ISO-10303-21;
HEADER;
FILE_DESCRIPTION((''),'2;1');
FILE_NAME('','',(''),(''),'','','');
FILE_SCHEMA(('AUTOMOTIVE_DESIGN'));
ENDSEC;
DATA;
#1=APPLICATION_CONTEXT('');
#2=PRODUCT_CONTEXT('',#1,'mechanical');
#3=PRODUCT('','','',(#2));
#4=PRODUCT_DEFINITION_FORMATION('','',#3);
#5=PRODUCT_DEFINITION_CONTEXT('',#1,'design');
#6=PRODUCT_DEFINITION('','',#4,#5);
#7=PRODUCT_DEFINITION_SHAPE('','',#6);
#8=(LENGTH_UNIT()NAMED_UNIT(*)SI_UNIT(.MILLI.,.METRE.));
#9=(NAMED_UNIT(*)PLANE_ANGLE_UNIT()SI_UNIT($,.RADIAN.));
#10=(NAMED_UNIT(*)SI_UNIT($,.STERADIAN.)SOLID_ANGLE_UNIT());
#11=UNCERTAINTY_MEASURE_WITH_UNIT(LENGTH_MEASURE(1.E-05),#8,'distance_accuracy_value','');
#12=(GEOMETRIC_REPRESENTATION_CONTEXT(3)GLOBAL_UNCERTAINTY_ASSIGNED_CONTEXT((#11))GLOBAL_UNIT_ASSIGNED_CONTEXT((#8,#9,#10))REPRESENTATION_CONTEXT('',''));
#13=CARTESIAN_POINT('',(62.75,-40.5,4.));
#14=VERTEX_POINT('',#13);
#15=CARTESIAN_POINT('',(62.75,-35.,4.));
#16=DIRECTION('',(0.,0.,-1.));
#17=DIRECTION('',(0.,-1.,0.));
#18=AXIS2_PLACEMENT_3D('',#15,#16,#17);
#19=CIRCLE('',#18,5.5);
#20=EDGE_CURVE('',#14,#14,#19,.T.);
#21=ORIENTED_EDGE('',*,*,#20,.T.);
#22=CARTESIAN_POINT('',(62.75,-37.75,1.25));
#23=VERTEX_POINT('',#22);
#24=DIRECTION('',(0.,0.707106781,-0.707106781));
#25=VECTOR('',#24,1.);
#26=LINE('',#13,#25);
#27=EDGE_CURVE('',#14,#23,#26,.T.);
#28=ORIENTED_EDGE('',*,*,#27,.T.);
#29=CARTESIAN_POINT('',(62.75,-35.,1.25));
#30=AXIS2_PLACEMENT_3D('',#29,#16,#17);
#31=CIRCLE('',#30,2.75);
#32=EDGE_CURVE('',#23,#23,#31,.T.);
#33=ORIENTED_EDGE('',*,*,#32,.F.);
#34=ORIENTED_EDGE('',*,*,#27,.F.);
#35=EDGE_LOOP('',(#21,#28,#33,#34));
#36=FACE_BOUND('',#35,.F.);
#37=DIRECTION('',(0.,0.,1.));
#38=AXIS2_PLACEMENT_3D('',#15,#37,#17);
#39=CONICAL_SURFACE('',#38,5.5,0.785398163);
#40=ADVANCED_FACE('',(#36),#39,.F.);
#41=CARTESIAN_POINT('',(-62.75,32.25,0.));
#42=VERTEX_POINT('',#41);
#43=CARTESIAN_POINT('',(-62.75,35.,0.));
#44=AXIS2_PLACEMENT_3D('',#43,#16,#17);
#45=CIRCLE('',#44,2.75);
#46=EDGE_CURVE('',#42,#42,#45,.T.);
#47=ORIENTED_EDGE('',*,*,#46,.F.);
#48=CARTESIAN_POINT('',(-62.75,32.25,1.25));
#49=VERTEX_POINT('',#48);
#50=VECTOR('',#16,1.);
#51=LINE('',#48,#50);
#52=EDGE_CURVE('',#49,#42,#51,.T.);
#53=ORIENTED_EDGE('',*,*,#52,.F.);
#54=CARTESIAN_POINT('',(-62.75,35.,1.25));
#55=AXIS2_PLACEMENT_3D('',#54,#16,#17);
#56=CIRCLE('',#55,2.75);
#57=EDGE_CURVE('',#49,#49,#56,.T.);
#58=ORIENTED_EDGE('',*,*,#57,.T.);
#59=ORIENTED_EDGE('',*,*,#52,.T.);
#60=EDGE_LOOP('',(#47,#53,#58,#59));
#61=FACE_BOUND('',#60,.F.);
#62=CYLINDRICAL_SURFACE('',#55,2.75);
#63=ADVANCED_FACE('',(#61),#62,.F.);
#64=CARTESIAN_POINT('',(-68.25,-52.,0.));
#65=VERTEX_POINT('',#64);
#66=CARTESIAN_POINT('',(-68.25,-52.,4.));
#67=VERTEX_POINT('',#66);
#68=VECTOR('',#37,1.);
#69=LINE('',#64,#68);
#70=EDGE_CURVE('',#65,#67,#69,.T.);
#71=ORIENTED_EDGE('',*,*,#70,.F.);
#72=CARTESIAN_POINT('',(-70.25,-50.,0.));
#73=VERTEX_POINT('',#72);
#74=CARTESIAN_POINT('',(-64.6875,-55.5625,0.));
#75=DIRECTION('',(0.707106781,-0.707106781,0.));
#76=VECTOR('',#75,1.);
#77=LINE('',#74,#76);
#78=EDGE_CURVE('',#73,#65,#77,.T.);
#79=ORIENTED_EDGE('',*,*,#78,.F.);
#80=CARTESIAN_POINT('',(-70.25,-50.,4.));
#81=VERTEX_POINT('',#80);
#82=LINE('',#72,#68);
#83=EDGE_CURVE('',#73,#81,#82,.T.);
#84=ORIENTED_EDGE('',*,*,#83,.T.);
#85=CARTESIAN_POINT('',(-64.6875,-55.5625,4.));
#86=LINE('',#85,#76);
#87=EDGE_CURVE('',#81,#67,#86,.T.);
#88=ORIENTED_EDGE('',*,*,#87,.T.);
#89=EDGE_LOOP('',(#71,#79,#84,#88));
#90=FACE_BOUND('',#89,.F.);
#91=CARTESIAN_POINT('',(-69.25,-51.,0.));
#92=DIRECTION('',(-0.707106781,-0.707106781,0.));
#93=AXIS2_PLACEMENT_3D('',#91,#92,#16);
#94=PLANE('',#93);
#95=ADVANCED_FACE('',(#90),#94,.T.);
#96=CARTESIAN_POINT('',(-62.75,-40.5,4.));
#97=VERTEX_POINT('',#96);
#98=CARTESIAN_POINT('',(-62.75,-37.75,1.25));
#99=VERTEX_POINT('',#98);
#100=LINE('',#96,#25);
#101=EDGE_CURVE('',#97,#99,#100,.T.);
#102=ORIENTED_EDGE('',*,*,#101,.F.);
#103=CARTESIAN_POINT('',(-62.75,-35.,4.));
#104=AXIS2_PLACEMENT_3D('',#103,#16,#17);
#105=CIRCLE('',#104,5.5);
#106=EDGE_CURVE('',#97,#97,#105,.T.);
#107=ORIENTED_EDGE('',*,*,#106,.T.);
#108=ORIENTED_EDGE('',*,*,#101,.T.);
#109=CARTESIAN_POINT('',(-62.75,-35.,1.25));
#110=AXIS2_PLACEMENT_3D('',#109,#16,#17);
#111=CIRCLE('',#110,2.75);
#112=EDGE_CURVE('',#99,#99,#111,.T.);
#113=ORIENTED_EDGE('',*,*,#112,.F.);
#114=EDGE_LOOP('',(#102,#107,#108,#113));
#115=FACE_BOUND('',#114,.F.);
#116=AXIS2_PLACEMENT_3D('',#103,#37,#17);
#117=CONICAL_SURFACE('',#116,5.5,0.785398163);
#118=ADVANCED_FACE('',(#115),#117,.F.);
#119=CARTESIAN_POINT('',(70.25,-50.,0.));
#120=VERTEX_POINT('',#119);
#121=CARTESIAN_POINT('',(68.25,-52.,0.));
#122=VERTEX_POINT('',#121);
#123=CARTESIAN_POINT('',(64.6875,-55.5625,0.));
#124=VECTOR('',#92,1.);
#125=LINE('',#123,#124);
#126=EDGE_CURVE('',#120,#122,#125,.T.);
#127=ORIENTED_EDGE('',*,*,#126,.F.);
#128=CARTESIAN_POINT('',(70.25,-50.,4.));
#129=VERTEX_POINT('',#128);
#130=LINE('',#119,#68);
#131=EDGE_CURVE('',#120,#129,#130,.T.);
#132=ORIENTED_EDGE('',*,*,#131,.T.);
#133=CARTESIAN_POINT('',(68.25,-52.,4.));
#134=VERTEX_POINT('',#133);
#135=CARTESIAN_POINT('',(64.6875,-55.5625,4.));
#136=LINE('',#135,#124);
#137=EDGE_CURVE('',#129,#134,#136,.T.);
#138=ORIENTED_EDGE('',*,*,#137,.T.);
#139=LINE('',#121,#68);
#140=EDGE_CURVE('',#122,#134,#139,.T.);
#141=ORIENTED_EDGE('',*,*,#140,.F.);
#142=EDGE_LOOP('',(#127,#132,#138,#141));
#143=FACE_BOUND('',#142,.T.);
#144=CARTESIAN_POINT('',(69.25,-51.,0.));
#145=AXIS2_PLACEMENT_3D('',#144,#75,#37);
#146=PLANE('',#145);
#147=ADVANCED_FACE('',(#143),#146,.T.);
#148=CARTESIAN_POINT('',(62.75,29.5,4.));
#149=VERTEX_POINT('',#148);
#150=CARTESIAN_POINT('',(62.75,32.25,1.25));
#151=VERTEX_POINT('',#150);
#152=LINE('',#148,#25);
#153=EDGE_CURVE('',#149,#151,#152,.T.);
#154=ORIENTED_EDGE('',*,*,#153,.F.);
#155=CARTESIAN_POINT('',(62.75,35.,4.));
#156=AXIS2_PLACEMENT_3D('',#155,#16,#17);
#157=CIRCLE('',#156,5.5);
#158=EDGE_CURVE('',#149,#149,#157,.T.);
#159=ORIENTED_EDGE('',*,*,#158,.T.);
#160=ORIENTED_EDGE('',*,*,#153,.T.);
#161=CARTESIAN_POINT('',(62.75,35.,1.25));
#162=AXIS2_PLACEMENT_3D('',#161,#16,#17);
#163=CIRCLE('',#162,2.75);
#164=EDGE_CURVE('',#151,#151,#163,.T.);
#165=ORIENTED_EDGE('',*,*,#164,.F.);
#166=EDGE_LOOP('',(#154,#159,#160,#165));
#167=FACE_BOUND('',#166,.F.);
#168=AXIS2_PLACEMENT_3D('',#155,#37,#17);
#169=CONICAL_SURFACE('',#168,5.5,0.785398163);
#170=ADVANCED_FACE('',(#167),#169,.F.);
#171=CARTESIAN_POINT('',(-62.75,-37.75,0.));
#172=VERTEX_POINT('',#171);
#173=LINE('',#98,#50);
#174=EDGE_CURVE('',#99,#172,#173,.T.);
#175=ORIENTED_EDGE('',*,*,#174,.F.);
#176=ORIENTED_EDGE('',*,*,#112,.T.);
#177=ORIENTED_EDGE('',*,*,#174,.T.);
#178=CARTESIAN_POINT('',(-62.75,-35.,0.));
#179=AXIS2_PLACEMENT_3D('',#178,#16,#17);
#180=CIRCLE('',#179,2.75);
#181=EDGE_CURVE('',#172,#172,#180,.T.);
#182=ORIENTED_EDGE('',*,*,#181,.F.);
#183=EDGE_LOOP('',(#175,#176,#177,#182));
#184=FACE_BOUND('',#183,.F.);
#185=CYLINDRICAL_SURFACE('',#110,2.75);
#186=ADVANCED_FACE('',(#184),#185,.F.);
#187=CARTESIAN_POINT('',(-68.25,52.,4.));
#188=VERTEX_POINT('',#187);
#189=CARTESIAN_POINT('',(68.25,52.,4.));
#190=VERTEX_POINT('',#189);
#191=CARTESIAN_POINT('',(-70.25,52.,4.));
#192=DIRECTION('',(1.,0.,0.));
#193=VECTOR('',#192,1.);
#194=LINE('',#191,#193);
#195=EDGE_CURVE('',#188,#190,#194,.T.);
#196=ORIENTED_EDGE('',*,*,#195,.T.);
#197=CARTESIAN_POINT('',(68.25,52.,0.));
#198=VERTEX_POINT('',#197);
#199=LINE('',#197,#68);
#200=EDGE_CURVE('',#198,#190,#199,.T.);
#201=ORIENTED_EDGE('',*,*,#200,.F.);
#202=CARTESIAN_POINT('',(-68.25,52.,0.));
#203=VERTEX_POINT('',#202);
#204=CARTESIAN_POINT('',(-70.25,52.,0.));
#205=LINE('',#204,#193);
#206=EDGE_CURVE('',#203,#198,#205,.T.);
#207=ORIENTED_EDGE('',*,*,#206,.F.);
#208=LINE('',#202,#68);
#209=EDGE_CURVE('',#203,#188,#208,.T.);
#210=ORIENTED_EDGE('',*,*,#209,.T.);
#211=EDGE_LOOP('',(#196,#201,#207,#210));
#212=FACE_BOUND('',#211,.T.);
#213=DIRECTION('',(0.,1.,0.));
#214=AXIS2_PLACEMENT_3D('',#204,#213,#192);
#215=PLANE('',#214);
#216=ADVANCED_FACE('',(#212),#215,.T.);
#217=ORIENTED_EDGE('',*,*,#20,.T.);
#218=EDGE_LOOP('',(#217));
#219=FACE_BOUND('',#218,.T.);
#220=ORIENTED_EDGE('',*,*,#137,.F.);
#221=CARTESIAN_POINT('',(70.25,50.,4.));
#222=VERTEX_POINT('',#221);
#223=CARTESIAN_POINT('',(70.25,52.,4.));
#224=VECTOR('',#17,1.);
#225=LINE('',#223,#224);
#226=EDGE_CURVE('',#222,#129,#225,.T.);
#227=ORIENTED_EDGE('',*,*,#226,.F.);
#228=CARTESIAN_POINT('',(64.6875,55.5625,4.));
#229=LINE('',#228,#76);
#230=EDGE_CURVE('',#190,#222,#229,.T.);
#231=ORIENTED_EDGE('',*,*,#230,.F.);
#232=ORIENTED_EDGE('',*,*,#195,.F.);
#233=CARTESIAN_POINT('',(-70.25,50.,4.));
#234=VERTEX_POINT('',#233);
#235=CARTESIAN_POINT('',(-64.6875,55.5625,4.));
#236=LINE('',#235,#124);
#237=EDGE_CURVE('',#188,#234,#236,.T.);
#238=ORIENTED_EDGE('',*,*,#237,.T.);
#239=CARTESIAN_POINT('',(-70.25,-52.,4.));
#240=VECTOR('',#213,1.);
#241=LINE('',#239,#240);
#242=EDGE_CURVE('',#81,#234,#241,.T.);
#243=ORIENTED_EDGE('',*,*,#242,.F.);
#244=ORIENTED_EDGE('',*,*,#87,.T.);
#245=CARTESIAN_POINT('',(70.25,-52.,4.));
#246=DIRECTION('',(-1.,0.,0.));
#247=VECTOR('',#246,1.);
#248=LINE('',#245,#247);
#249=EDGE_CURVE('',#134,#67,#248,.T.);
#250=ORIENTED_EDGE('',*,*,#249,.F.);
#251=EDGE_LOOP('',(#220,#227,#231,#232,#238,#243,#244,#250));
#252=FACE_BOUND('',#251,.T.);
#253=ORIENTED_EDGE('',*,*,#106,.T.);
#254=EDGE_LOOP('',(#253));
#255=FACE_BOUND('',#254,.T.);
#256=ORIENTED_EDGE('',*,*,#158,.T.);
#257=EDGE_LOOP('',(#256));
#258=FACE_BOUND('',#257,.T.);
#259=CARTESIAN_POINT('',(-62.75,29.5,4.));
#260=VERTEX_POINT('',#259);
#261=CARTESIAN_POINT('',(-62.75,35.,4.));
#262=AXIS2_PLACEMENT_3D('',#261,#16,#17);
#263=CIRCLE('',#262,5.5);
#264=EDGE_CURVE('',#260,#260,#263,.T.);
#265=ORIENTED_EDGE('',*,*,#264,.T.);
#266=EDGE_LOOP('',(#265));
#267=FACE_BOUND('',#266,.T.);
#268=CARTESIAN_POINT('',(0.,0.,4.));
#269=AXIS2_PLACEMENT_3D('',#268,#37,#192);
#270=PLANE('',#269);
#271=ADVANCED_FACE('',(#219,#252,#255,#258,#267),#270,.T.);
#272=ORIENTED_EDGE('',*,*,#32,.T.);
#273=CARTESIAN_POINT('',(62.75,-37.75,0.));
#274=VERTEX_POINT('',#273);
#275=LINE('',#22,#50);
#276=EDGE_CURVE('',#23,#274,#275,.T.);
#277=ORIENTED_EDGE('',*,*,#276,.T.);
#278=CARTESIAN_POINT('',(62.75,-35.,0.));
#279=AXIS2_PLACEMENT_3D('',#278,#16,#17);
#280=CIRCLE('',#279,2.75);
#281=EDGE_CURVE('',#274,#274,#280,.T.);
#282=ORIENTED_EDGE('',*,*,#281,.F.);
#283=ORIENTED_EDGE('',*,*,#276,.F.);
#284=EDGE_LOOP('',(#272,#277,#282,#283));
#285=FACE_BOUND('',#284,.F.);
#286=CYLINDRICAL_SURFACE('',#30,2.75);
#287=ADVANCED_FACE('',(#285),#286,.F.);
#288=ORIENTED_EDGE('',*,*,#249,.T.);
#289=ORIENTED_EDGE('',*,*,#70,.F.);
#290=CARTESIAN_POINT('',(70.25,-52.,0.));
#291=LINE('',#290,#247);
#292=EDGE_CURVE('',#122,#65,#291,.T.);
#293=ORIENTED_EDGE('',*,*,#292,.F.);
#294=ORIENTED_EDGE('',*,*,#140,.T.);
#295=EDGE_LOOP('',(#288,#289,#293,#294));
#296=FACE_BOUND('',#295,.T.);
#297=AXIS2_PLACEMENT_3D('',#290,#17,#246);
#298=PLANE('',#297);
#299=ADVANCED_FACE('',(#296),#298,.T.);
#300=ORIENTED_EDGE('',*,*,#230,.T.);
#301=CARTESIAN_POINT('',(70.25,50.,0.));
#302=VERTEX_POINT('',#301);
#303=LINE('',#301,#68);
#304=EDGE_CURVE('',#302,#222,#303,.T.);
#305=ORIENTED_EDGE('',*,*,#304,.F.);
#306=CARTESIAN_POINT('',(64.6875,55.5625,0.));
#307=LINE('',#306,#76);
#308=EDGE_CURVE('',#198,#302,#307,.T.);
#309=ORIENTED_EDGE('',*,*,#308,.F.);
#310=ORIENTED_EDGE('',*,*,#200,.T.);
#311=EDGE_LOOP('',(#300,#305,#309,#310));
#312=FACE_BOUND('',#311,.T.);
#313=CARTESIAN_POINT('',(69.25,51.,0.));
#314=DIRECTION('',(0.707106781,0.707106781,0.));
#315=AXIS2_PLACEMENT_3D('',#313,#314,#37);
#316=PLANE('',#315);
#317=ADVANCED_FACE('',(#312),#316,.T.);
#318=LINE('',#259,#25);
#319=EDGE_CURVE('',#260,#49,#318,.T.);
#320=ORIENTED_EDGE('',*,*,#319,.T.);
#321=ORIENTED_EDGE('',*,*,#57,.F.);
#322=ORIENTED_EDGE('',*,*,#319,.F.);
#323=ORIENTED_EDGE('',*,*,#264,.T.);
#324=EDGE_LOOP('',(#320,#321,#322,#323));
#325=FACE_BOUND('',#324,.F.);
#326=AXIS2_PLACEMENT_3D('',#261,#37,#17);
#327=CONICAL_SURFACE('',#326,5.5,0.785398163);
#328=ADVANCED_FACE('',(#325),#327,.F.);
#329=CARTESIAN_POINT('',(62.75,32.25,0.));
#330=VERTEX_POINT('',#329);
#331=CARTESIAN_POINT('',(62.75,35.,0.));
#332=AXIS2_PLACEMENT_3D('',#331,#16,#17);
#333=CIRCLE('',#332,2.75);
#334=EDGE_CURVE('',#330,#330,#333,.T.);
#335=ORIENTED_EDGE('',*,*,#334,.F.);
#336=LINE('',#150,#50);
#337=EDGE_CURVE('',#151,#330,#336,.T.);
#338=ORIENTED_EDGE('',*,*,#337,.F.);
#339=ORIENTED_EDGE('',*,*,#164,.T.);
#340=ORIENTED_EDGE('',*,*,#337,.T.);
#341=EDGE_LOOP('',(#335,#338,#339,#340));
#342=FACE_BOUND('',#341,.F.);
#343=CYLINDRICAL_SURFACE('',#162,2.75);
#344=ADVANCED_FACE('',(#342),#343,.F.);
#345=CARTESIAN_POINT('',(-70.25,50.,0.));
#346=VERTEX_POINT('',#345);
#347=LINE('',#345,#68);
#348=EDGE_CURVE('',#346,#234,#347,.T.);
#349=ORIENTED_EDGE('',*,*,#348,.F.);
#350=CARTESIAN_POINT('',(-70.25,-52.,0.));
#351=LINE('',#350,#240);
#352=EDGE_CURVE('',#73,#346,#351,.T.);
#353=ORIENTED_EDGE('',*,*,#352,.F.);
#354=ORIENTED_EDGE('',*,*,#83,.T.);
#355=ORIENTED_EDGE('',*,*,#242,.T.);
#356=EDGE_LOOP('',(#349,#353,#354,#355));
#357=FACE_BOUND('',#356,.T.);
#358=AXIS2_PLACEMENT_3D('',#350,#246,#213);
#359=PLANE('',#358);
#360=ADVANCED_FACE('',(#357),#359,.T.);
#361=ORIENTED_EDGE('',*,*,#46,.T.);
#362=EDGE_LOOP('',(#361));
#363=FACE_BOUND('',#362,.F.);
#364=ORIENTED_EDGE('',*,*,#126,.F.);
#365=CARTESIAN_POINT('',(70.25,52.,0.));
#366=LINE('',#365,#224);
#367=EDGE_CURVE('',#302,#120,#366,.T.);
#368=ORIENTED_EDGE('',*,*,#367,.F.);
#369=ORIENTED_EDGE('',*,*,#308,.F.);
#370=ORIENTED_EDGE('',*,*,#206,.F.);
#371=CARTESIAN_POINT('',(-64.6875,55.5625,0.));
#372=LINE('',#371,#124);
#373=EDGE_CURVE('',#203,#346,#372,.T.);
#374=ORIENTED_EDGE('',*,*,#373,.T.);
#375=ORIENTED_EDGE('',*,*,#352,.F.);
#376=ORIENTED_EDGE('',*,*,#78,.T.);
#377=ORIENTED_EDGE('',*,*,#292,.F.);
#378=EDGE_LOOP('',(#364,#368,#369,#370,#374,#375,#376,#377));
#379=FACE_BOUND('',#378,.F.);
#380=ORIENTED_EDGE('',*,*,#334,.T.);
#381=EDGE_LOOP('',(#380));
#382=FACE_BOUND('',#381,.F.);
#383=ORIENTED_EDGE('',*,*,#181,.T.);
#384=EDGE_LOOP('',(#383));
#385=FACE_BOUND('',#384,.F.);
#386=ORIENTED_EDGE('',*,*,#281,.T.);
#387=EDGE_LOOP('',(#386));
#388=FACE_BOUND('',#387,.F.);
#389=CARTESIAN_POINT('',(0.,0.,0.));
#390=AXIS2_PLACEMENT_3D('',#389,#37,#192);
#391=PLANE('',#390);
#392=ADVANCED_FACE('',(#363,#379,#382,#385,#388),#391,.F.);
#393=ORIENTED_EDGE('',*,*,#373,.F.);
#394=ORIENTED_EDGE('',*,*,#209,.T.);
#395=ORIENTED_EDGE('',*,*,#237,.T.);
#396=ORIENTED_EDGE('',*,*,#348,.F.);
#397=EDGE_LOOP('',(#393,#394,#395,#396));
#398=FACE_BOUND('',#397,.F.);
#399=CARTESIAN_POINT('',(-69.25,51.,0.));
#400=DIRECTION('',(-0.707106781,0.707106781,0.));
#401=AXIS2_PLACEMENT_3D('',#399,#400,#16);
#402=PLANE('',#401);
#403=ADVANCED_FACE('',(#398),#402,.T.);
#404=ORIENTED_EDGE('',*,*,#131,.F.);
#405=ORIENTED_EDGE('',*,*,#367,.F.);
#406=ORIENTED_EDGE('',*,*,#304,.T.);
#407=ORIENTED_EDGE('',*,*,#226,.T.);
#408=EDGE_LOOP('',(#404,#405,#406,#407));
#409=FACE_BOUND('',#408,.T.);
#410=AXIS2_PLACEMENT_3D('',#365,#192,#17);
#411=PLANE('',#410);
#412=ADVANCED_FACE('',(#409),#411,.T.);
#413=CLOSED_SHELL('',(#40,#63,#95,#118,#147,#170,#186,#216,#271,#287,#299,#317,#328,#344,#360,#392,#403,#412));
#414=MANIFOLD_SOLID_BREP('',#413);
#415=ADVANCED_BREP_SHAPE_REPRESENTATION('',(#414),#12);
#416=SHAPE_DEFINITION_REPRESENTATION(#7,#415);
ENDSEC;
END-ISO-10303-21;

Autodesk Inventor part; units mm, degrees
ref_plane "YZ Plane" through (0, 0, 0) normal (1, 0, 0) x (0, 1, 0)
ref_plane "XZ Plane" through (0, 0, 0) normal (0, 1, 0) x (-1, 0, 0)
ref_plane "XY Plane" through (0, 0, 0) normal (0, 0, 1) x (1, 0, 0)
sketch "Sketch5" plane through (0, 0, 0) normal (0, 0, 1) x (1, 0, 0)
  line L0 (-70.25, 52) -> (70.25, 52)
  line L1 (70.25, 52) -> (70.25, -52)
  line L2 (70.25, -52) -> (-70.25, -52)
  line L3 (-70.25, -52) -> (-70.25, 52)
  point P0 (0, 0)
  point P1 (0, 52)
  point P2 (70.25, 0)
  dimension "d8" = 140.5
  dimension "d9" = 104
extrude "Extrusion5" add sketch "Sketch5" along normal blind 4
sketch "Sketch6" plane through (0, 0, 4) normal (0, 0, 1) x (1, 0, 0)
  circle A0 centre (-62.75, 35) radius 3
  circle A1 centre (-62.75, -35) radius 3
  circle A2 centre (62.75, 35) radius 3
  circle A3 centre (62.75, -35) radius 3
  line L0 (-70.25, 52) -> (-70.25, -52) projected
  line L1 (-70.25, -52) -> (70.25, -52) projected
  point P0 (0, 0)
  point P1 (0, 0)
  point P2 (0, -52)
  point P3 (-70.25, 0)
  dimension "d19" = 125.5
  dimension "d20" = 62.75
  dimension "d21" = 70
  dimension "d22" = 35
  dimension "d23" = 6
hole "Hole1" at (-62.75, 35, 4) at (62.75, 35, 4) at (62.75, -35, 4) at (-62.75, -35, 4) direction (0, 0, -1) diameter 5.5 end through all countersink diameter 11 countersink angle 90 clearance for "Countersunk Flat Head Screw DIN EN ISO 2009" size "M5" standard "DIN"
chamfer "Chamfer1" distance 2 angle 45 4 edges at (70.25, -52, 2) (70.25, 52, 2) (-70.25, 52, 2) (-70.25, -52, 2)
equation "\"d20\" = 0.5 * d19"
equation "\"d22\" = 0.5 * d21"
properties part number "BC-10023" material "Alumínio 7075"
